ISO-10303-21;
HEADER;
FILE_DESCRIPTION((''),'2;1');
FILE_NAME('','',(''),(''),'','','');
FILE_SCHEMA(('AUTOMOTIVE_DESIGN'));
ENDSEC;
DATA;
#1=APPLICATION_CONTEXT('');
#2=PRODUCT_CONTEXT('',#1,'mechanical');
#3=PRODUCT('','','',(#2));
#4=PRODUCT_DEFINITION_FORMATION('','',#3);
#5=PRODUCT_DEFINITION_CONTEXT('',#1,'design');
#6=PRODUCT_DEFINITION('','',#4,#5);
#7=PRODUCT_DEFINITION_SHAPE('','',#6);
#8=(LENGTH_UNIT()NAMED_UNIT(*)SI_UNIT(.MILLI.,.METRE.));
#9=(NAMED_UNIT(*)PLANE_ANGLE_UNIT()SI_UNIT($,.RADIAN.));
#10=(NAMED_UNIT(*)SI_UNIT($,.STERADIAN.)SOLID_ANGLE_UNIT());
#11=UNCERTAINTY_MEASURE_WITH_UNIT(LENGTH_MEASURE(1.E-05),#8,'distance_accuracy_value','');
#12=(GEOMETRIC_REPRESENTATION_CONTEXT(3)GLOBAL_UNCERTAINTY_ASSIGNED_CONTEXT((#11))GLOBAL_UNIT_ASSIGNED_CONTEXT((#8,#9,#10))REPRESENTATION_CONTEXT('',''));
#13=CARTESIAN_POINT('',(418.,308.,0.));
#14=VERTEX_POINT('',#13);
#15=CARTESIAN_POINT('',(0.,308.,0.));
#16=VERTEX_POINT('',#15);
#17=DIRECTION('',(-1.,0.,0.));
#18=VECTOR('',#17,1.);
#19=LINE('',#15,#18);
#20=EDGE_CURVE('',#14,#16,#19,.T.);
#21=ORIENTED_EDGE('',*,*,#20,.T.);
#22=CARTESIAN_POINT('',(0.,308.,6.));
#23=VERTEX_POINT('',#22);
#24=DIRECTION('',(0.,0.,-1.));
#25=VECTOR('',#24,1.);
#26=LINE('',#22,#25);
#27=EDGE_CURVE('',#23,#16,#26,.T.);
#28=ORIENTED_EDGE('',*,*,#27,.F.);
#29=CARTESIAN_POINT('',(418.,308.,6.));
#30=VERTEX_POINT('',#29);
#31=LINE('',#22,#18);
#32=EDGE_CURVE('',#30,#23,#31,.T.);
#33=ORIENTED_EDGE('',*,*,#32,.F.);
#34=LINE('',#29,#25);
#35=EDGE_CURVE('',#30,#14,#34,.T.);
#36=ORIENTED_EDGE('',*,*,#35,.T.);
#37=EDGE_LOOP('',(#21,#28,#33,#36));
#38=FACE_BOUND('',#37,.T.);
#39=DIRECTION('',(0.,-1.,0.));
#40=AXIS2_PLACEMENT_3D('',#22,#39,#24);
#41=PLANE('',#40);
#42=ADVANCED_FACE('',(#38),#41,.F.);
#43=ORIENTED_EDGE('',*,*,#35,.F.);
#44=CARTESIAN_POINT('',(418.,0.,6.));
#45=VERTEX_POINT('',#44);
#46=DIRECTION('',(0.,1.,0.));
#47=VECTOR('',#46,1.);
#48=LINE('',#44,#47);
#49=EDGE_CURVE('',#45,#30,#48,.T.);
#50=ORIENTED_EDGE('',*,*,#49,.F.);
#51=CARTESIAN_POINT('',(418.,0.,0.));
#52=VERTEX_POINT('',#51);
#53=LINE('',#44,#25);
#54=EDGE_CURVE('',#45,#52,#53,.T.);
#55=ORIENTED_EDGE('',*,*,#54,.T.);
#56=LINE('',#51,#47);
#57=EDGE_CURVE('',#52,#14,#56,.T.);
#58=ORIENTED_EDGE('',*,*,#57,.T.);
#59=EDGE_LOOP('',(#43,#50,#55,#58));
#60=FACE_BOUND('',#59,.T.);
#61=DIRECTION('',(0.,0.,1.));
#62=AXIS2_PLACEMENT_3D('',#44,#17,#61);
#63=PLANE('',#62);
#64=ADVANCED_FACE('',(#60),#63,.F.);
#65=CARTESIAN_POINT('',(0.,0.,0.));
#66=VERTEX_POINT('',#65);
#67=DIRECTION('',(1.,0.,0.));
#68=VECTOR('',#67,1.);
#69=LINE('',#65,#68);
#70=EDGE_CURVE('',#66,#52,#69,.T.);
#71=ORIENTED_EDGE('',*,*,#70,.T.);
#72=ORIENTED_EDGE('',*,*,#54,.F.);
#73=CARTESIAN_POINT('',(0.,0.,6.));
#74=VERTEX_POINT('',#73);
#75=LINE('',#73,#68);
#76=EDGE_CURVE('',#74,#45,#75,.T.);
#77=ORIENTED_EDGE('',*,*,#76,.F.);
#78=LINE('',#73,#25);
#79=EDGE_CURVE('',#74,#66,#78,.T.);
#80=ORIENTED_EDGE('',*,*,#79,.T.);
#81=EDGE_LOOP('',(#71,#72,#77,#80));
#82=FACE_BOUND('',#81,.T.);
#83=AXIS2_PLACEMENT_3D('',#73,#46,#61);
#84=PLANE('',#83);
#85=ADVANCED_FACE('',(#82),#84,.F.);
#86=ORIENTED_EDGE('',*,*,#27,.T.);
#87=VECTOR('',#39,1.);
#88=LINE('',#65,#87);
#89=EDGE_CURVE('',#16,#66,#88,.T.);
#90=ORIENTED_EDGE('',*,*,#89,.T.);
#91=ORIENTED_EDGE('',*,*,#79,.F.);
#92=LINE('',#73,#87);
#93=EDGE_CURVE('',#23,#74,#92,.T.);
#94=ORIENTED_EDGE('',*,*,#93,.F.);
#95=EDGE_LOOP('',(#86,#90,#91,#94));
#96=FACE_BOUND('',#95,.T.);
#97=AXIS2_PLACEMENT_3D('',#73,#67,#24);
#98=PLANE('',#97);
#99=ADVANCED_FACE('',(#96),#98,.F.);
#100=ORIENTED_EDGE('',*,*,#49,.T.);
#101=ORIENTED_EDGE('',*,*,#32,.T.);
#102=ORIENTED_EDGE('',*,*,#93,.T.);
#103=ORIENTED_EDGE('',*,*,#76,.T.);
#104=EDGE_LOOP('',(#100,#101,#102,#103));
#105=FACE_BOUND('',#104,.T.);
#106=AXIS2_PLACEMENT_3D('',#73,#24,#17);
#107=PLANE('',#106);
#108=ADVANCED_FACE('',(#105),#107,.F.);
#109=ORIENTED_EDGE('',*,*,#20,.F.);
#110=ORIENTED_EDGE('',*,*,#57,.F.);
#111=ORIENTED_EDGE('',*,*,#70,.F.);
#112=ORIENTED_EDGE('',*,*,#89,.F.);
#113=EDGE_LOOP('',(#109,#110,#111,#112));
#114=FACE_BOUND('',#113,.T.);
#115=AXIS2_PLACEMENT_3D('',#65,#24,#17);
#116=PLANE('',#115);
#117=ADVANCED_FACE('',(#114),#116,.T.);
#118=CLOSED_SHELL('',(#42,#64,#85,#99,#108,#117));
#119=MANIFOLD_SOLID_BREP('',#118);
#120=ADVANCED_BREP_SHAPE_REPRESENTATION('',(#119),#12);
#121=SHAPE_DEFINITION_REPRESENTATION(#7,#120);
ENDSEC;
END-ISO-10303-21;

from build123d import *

# Parameters (mm, degrees)
SKETCH1_W           = 418
SKETCH1_H           = 308
BOSS_EXTRUDE1_DEPTH = 6


with BuildPart() as part:
    # Sketch1 → Boss-Extrude1 (new body)
    with BuildSketch(Plane.XY):
        with Locations((209, 154)):
            Rectangle(SKETCH1_W, SKETCH1_H)
    extrude(amount=BOSS_EXTRUDE1_DEPTH)


solid = part.part
